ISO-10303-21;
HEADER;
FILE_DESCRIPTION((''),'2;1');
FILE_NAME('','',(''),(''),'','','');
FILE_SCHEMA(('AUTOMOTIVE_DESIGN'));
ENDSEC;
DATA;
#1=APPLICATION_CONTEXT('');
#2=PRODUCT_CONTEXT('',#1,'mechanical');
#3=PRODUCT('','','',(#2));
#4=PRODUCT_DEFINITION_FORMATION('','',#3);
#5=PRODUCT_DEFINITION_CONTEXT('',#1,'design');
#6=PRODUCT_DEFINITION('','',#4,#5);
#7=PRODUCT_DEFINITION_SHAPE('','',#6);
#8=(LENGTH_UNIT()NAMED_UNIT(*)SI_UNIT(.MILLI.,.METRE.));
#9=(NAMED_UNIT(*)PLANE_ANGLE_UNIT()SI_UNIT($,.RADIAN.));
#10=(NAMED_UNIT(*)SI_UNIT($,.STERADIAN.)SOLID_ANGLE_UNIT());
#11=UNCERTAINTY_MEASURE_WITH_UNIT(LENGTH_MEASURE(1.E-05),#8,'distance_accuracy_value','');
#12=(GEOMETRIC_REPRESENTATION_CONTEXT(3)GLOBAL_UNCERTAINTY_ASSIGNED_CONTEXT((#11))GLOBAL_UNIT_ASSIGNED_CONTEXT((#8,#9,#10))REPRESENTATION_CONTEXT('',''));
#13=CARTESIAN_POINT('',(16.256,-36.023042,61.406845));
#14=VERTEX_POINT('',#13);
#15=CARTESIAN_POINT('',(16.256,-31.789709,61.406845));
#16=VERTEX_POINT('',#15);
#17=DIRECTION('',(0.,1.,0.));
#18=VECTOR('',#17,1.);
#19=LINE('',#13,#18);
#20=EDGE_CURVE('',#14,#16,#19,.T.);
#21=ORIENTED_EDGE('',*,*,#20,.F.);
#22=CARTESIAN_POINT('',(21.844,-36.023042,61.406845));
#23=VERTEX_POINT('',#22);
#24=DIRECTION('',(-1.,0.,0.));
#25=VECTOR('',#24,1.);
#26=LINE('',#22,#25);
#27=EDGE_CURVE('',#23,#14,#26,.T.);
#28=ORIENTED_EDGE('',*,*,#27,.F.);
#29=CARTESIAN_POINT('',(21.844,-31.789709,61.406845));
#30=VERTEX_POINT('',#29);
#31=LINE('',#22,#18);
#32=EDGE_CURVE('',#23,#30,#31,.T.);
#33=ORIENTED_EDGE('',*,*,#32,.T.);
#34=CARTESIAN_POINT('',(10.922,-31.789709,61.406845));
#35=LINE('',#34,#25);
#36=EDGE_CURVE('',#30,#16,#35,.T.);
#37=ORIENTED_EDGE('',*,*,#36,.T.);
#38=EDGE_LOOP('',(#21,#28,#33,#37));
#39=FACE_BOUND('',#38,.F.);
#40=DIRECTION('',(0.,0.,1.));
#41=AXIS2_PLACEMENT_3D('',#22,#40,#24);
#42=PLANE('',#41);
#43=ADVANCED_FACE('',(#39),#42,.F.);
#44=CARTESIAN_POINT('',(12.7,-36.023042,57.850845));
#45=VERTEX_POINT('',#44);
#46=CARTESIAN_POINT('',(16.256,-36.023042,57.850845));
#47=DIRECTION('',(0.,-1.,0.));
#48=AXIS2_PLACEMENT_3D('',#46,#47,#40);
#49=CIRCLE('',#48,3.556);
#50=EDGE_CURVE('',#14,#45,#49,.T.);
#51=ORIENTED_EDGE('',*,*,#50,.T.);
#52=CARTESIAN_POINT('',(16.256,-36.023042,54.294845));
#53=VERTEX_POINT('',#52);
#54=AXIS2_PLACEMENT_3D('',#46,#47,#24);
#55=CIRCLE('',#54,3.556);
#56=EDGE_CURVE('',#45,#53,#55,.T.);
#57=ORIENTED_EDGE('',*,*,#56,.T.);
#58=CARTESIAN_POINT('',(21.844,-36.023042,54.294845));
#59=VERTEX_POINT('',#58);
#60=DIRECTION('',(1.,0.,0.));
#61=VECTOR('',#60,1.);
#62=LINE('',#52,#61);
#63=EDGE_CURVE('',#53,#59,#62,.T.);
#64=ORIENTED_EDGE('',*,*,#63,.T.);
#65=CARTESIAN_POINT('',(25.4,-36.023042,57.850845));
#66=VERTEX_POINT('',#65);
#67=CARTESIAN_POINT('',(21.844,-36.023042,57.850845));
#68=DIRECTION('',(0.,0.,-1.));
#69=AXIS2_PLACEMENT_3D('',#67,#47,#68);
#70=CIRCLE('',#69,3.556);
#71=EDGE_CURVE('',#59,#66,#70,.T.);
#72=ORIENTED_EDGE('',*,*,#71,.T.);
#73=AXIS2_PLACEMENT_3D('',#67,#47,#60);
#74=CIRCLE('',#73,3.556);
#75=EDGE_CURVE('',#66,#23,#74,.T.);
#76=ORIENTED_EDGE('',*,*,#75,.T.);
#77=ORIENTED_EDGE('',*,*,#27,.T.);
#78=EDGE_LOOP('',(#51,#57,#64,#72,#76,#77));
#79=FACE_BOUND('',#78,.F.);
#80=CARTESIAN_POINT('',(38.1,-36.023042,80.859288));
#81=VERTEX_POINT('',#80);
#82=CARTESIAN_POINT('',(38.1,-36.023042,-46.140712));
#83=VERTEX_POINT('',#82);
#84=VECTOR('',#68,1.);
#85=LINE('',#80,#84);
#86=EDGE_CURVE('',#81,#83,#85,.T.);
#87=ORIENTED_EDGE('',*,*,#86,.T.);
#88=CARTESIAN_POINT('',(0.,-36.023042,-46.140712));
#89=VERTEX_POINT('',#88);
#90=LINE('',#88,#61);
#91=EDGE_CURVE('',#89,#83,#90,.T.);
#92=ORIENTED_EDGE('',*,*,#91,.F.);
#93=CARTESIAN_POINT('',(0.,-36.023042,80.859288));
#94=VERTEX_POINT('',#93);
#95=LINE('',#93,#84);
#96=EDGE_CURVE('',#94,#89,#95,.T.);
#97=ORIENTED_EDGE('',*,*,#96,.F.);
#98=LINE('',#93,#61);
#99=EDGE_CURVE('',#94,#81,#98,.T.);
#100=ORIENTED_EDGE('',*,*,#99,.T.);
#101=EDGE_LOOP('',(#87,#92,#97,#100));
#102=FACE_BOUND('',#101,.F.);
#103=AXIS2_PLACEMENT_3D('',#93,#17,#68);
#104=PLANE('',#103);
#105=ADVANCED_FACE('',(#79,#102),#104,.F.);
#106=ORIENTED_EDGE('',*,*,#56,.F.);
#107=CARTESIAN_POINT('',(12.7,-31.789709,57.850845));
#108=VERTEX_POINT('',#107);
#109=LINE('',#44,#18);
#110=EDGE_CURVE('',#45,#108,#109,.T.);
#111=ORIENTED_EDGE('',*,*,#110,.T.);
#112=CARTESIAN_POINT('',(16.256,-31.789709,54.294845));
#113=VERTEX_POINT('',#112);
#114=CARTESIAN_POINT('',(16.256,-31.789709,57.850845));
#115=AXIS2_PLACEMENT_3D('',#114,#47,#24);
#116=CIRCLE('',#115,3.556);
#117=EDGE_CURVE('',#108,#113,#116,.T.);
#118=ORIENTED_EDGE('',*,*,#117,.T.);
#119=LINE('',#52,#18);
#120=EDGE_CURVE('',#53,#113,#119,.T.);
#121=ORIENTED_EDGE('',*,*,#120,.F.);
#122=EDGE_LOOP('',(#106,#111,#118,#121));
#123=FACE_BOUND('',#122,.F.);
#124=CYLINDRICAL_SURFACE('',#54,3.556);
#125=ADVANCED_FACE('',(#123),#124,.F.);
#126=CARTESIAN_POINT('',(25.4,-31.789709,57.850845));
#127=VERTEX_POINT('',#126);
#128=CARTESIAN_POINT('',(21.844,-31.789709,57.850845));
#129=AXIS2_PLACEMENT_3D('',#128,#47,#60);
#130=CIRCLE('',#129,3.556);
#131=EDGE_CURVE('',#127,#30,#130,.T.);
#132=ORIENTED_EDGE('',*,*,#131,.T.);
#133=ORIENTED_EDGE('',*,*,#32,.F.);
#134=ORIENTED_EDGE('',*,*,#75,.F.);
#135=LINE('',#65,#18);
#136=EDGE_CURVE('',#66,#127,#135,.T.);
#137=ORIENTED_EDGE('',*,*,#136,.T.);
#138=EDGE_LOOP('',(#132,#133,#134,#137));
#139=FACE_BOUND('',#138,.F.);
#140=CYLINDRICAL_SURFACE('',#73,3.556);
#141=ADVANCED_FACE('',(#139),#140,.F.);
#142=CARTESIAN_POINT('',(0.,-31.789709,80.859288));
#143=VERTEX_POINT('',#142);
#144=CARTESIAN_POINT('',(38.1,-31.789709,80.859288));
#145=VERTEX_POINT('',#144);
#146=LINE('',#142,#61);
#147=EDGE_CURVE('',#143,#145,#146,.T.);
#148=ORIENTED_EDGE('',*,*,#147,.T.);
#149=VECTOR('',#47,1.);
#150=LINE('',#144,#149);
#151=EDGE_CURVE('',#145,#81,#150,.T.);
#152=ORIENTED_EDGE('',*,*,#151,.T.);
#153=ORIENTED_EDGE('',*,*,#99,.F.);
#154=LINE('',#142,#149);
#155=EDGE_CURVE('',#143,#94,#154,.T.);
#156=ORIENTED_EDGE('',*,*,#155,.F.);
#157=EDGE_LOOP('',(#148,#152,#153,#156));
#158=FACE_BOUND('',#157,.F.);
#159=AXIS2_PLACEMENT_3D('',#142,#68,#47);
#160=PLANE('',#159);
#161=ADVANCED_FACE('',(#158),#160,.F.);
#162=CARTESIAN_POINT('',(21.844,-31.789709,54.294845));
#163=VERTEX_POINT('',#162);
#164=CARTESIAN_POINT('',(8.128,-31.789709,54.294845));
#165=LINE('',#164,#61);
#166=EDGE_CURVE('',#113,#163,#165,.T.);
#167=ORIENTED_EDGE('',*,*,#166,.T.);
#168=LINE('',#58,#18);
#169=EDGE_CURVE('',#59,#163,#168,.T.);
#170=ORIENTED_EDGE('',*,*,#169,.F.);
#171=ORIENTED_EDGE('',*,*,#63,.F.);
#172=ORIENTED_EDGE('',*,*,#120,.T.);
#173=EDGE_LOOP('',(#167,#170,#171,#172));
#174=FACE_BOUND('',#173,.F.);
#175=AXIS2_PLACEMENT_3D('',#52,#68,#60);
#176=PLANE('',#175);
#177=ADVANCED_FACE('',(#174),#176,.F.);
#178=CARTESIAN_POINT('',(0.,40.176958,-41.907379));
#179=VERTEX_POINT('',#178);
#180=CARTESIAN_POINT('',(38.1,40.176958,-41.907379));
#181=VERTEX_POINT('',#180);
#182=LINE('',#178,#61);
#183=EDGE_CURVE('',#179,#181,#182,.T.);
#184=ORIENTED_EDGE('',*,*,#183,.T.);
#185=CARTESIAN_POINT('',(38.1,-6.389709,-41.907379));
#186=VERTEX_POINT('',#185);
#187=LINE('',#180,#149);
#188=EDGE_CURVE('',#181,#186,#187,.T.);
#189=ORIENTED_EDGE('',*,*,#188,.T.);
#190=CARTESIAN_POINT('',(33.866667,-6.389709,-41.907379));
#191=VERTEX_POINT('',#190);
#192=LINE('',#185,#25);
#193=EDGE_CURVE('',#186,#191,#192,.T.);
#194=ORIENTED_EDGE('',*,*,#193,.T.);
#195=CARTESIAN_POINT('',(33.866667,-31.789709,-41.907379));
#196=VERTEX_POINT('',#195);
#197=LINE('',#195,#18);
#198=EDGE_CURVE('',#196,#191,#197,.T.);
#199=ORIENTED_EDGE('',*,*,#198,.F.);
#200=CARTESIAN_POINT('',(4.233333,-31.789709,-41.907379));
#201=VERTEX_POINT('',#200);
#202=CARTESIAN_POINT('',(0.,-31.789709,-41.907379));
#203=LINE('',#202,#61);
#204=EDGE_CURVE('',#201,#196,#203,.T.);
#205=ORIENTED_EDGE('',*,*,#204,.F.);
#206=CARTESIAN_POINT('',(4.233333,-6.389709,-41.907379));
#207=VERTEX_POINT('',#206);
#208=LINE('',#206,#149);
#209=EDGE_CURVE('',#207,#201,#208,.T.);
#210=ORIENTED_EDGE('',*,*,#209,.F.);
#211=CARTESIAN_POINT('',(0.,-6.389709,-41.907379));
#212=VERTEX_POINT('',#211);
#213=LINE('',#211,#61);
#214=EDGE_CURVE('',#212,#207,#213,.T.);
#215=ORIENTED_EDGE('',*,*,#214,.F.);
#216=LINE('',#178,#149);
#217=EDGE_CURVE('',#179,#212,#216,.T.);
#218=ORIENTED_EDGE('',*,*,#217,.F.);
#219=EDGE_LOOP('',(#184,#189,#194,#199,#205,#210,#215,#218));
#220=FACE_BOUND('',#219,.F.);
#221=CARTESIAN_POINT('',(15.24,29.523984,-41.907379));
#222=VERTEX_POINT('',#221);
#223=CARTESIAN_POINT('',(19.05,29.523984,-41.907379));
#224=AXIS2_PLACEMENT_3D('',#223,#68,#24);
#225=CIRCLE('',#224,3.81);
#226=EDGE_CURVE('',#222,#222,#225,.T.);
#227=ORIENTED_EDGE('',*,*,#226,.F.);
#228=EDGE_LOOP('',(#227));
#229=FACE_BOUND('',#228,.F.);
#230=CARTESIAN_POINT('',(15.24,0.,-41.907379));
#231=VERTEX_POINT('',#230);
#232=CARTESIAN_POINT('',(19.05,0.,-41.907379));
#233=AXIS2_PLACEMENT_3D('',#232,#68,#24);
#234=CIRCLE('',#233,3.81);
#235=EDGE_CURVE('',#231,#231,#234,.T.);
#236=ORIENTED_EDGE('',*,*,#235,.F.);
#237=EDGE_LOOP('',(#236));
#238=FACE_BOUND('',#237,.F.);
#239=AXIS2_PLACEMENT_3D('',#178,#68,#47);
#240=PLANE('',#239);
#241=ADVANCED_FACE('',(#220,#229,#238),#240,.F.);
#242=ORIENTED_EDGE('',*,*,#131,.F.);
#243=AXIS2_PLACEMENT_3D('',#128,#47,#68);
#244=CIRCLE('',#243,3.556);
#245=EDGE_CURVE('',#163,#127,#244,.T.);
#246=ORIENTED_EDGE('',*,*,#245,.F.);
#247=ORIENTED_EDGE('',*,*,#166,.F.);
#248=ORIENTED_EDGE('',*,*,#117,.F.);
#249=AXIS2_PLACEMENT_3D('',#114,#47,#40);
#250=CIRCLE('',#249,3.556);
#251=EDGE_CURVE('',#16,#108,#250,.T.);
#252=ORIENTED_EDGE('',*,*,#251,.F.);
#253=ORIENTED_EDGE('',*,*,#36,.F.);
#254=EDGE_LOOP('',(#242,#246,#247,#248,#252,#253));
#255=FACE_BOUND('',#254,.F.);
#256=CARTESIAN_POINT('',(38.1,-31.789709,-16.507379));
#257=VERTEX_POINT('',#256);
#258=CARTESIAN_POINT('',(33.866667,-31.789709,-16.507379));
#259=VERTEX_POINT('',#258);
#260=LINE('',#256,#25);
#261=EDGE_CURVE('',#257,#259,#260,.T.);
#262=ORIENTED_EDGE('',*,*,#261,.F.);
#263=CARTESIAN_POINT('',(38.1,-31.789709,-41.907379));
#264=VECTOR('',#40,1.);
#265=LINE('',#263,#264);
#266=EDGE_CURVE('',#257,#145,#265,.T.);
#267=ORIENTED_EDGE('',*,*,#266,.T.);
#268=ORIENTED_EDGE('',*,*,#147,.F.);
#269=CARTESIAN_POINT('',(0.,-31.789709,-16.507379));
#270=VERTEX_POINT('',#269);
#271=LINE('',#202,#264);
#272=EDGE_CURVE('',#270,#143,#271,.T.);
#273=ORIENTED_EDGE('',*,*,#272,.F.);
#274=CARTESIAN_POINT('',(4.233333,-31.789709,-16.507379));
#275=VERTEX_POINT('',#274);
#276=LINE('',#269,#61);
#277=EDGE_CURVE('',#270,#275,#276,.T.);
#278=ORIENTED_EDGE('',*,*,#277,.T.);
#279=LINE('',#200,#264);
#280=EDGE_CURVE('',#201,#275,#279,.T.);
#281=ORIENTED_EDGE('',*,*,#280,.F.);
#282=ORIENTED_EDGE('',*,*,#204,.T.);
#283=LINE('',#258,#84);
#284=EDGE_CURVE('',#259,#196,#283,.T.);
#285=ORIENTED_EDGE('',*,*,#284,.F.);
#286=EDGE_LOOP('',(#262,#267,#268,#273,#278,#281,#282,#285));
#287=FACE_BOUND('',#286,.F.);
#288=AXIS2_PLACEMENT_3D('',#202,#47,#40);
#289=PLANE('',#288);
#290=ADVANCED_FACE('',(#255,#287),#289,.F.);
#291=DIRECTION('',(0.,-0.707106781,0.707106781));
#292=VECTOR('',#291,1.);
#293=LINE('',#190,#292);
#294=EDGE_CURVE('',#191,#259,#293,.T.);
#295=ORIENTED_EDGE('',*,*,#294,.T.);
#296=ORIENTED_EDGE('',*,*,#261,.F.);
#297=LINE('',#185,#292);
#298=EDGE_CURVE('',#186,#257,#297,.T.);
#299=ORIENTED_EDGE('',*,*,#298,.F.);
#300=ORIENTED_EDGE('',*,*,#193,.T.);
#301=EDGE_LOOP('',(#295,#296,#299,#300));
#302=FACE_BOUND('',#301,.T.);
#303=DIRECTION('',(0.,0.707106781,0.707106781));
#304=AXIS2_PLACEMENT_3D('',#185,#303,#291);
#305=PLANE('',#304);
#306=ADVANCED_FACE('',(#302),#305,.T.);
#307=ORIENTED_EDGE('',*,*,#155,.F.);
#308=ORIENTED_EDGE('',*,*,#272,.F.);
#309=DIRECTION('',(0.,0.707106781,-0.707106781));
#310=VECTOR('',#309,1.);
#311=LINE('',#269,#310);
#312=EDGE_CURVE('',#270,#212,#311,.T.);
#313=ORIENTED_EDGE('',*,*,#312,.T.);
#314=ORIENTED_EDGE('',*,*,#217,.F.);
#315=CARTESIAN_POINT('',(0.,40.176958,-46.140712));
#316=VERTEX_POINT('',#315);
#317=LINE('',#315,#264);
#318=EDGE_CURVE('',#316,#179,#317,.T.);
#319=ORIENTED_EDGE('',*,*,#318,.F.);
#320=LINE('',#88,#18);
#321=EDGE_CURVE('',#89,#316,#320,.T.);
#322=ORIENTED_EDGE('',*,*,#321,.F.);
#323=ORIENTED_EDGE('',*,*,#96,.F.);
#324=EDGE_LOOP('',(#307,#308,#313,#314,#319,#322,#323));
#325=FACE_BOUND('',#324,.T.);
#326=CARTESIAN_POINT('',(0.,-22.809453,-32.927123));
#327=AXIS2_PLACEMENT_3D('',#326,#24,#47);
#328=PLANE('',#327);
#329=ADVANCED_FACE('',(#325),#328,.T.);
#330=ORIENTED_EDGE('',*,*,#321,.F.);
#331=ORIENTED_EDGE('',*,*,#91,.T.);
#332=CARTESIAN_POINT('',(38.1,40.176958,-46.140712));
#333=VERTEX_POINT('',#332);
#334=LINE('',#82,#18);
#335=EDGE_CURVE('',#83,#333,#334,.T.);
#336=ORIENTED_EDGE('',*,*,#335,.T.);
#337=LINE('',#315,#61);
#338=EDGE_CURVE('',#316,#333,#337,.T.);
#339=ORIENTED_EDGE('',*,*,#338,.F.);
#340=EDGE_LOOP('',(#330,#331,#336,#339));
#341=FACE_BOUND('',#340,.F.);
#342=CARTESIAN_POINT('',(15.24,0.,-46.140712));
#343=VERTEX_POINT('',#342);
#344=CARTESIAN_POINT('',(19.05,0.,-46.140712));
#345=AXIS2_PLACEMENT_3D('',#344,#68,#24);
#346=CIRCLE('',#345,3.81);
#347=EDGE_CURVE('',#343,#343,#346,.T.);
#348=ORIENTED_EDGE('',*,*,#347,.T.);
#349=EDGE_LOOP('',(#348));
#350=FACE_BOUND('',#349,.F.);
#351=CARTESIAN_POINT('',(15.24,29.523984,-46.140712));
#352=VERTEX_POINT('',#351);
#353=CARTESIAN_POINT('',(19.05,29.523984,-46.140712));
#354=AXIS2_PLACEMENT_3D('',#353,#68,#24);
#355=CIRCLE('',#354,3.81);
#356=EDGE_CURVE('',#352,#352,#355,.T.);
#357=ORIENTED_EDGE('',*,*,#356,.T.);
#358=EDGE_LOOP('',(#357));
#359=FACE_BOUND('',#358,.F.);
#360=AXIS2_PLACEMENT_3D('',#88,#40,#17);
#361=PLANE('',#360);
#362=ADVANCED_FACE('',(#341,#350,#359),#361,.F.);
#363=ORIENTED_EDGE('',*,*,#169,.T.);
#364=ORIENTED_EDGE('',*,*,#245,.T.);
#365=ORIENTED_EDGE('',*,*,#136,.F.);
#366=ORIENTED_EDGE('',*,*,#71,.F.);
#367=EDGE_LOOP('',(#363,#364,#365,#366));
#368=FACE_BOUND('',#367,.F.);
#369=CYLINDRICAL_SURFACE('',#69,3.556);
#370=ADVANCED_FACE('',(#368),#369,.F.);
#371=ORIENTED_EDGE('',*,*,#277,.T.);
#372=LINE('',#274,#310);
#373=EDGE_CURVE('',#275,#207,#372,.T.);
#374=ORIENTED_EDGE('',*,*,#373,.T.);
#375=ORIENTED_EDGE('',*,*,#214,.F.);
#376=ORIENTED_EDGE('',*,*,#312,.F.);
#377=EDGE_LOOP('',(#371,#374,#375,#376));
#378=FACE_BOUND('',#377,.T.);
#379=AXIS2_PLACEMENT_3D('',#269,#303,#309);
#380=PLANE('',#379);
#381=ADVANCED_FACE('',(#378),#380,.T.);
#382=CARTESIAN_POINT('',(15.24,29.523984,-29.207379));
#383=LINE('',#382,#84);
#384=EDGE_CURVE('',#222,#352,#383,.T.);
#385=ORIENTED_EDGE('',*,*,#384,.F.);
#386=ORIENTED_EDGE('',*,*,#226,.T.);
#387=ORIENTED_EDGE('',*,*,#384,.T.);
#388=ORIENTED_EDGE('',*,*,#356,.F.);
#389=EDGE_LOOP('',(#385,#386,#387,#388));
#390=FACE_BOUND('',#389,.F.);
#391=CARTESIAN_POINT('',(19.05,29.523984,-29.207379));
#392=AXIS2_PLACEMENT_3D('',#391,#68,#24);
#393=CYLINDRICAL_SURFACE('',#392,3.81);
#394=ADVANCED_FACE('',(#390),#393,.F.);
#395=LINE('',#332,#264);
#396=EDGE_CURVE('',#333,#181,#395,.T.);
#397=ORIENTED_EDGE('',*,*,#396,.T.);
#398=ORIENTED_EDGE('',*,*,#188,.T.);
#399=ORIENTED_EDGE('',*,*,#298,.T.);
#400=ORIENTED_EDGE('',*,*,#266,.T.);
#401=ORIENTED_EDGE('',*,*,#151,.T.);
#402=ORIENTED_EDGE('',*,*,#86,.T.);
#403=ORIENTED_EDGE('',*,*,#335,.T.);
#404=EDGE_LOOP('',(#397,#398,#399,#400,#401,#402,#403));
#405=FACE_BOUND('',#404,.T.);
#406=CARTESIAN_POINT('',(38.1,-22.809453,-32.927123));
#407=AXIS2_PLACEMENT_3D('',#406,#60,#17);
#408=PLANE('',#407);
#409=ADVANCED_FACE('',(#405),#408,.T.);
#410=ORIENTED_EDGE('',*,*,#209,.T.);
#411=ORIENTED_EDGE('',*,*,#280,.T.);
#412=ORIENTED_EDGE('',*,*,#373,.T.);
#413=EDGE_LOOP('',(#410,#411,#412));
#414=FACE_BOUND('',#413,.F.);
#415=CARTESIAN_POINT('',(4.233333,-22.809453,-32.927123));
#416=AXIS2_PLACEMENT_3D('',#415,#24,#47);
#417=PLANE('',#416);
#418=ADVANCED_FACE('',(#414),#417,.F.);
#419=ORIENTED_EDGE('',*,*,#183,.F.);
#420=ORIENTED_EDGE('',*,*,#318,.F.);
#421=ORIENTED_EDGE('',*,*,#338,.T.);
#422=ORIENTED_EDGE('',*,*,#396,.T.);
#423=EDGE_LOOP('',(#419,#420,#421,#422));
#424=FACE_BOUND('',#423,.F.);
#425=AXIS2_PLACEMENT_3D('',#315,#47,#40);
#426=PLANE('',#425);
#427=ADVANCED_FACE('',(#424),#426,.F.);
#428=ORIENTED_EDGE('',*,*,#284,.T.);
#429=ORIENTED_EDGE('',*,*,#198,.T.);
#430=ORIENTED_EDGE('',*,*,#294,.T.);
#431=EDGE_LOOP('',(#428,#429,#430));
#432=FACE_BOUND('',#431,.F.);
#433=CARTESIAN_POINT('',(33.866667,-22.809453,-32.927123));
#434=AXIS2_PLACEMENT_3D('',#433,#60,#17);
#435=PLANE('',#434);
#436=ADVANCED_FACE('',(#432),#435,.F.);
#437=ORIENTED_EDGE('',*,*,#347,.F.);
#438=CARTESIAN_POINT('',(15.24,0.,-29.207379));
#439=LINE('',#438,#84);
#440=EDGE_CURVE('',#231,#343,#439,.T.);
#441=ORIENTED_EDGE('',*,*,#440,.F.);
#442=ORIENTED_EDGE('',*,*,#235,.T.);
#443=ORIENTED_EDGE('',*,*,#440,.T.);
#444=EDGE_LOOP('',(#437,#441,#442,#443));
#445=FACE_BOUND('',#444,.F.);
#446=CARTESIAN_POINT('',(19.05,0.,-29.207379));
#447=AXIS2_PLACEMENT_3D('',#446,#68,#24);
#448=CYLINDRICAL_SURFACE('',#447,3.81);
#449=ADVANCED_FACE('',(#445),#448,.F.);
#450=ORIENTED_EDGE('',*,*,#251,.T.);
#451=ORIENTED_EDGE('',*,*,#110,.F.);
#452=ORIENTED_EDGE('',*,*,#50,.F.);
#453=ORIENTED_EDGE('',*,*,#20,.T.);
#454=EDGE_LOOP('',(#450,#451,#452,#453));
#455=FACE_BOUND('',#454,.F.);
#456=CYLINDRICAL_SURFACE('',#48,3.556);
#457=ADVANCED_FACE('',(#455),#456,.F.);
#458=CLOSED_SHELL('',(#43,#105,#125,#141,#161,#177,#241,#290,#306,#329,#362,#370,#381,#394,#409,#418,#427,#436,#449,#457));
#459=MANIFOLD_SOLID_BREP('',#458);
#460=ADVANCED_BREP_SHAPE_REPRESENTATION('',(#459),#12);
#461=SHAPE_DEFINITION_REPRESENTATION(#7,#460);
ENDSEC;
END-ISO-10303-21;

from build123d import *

# Parameters (mm, degrees)
F1_DEPTH = 38.1
F3_DEPTH = 25.4
F5_DEPTH = 4.2333333333
F7_DEPTH = 4.2333333333
F9_D     = 7.62
F9_DEPTH = 12.7
F9_TIP   = 2.2892789585


with BuildPart() as f1:
    # F0 (on Right) → F1 (new body)
    with BuildSketch(Plane.YZ):
        Polygon((-31.7897086839, 80.859287534), (-36.0230420173, 80.859287534), (-36.0230420173, -46.140712466), (40.1769579827, -46.140712466), (40.1769579827, -41.9073791327), (-31.7897086839, -41.9073791327), align=None)
    extrude(amount=F1_DEPTH)

    # F2 (on face) → F3 (cut)
    with BuildSketch(Plane.XZ.offset(36.0230420173)):
        with BuildLine():
            Line((21.844, 61.4068451581), (16.256, 61.4068451581))
            ThreePointArc((16.256, 61.4068451581), (13.7415282861, 60.365316872), (12.7, 57.8508451581))
            ThreePointArc((12.7, 57.8508451581), (13.7415282861, 55.3363734442), (16.256, 54.2948451581))
            Line((16.256, 54.2948451581), (21.844, 54.2948451581))
            ThreePointArc((21.844, 54.2948451581), (24.3584717139, 55.3363734442), (25.4, 57.8508451581))
            ThreePointArc((25.4, 57.8508451581), (24.3584717139, 60.365316872), (21.844, 61.4068451581))
        make_face()
    extrude(amount=-F3_DEPTH, mode=Mode.SUBTRACT)

    # F4 (on face) → F5 (join)
    with BuildSketch(Plane.YZ.offset(38.1)):
        Polygon((-31.7897086839, -41.9073791327), (-6.3897086839, -41.9073791327), (-31.7897086839, -16.5073791327), align=None)
    extrude(amount=-F5_DEPTH)

    # F6 (on face) → F7 (join)
    with BuildSketch(Plane(origin=(0, 0, 0), x_dir=(0, -1, 0), z_dir=(-1, 0, 0))):
        Polygon((31.7897086839, -41.9073791327), (31.7897086839, -16.5073791327), (6.3897086839, -41.9073791327), align=None)
    extrude(amount=-F7_DEPTH)

    # F9
    with Locations(Plane.XY.offset(-41.9073791327)):
        with Locations((19.05, 0), (19.05, 29.5239835978)):
            Hole(F9_D / 2, depth=F9_DEPTH)
            with Locations((0, 0, -(F9_DEPTH + F9_TIP / 2))):  # 118° drill point
                Cone(0, F9_D / 2, F9_TIP, mode=Mode.SUBTRACT)


solid = f1.part
